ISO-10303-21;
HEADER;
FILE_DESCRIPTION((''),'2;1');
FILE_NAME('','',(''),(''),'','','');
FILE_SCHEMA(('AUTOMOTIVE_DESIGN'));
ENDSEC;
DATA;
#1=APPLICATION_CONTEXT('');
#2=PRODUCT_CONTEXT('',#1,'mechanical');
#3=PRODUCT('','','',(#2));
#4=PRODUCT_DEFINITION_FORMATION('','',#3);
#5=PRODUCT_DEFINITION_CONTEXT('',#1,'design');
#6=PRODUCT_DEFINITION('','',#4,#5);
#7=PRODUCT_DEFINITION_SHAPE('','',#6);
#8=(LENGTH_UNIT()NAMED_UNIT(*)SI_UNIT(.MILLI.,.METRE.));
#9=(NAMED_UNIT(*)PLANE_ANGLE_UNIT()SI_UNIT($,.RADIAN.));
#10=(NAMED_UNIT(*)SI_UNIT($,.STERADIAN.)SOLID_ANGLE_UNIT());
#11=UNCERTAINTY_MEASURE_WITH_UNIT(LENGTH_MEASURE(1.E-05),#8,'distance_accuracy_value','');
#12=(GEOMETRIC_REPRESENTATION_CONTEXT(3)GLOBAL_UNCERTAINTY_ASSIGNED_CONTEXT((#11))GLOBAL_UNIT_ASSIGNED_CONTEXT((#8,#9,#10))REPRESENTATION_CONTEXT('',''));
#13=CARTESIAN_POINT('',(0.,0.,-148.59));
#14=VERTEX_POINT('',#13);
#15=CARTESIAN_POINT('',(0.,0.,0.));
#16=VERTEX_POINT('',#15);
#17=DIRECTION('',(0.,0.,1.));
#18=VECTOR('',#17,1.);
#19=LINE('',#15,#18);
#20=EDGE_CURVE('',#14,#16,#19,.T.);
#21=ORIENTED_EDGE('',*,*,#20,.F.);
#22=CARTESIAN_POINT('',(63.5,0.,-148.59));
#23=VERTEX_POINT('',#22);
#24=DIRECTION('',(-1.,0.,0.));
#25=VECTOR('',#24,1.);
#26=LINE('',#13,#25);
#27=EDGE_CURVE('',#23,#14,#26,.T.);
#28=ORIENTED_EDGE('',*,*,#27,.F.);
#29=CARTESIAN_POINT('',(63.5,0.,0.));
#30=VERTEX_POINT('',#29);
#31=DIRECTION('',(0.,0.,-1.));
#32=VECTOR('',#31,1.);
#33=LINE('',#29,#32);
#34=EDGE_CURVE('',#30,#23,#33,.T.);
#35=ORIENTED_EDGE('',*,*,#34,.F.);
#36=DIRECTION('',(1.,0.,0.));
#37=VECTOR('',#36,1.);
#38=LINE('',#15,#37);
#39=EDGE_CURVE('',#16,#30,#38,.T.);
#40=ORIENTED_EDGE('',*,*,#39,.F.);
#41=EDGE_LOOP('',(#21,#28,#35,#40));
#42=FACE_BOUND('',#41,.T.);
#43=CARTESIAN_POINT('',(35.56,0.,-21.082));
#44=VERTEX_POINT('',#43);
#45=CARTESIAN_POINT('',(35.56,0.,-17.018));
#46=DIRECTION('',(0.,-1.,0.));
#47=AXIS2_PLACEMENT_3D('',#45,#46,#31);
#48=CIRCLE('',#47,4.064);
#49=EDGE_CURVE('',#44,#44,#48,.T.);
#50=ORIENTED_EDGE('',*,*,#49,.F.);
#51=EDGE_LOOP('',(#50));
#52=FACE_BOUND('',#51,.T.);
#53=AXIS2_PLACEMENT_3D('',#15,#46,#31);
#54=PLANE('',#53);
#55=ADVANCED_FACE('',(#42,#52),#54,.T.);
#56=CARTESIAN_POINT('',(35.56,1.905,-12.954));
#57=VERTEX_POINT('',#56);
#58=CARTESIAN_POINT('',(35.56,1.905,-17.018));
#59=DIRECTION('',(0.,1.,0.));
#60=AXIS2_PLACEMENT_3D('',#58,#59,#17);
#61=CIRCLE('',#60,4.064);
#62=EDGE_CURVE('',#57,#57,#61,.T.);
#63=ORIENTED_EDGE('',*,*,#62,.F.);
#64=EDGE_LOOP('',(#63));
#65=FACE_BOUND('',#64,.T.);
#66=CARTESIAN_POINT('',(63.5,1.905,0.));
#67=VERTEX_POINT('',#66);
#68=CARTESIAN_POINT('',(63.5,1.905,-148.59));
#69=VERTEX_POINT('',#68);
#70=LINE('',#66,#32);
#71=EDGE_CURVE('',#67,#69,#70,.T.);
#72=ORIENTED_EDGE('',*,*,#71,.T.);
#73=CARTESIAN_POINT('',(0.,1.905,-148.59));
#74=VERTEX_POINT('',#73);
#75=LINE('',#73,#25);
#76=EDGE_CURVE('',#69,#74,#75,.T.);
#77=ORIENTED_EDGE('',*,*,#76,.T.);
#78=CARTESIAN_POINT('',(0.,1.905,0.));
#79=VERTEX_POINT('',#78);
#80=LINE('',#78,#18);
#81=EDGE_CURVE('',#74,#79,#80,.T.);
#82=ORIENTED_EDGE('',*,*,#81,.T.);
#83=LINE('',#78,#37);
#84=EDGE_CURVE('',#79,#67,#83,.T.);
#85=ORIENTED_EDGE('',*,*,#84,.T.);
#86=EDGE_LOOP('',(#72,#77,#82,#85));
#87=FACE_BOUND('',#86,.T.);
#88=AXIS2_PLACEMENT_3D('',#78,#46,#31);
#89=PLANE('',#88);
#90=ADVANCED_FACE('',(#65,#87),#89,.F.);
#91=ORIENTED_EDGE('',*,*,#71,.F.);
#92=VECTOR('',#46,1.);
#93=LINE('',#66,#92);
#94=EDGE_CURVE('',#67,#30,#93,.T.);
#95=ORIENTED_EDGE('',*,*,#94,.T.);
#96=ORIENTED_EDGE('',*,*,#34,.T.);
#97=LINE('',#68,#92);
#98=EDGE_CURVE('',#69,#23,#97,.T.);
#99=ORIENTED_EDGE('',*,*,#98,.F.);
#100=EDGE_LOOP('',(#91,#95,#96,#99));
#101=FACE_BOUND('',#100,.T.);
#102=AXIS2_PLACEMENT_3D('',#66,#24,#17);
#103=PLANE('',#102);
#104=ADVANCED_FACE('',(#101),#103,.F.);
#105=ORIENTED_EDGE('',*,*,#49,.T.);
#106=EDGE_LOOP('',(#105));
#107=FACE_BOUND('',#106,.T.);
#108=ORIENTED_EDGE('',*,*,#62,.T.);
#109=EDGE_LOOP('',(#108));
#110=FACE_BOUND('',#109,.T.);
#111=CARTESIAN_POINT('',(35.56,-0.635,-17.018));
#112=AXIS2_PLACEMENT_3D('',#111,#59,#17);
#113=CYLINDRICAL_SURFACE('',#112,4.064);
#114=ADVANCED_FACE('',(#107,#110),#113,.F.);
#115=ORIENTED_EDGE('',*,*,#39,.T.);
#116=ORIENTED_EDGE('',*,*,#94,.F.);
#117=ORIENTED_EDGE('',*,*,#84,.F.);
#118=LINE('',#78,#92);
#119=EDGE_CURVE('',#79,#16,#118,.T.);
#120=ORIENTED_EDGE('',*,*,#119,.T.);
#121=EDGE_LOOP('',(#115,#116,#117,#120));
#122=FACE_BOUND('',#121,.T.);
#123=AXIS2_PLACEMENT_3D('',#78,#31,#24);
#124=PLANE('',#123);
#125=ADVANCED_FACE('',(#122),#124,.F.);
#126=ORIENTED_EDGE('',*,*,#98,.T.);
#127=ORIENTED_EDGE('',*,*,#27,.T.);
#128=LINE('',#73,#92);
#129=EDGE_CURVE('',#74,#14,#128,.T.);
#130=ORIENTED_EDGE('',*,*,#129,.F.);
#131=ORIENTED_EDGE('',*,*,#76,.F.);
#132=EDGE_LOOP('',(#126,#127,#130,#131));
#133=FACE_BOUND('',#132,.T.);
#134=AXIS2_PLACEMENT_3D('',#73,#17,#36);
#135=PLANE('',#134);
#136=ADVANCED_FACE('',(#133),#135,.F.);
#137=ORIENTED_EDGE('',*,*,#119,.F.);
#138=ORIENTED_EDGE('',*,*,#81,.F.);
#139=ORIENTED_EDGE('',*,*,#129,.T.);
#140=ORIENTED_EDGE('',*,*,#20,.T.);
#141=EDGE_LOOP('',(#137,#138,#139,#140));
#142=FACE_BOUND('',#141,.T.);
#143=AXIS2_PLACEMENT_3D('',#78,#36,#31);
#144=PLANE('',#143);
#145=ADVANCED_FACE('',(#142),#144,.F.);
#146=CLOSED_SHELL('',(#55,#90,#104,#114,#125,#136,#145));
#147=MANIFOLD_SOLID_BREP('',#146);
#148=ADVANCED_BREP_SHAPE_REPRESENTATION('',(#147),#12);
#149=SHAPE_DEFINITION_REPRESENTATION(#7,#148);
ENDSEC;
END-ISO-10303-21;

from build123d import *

# Parameters (mm, degrees)
SKETCH1_W           = 63.5
SKETCH1_H           = 148.59
BOSS_EXTRUDE1_DEPTH = 1.905
SKETCH2_R           = 4.064
CUT_EXTRUDE1_DEPTH  = 2.54


with BuildPart() as part:
    # Sketch1 → Boss-Extrude1 (new body)
    with BuildSketch(Plane(origin=(0, 0, 0), x_dir=(1, 0, 0), z_dir=(0, 1, 0))):
        with Locations((31.75, 74.295)):
            Rectangle(SKETCH1_W, SKETCH1_H)
    extrude(amount=BOSS_EXTRUDE1_DEPTH)

    # Sketch2 → Cut-Extrude1 (cut)
    with BuildSketch(Plane(origin=(0, 1.905, 0), x_dir=(1, 0, 0), z_dir=(0, 1, 0))):
        with Locations((35.56, 17.018)):
            Circle(SKETCH2_R)
    extrude(amount=-CUT_EXTRUDE1_DEPTH, mode=Mode.SUBTRACT)


solid = part.part
